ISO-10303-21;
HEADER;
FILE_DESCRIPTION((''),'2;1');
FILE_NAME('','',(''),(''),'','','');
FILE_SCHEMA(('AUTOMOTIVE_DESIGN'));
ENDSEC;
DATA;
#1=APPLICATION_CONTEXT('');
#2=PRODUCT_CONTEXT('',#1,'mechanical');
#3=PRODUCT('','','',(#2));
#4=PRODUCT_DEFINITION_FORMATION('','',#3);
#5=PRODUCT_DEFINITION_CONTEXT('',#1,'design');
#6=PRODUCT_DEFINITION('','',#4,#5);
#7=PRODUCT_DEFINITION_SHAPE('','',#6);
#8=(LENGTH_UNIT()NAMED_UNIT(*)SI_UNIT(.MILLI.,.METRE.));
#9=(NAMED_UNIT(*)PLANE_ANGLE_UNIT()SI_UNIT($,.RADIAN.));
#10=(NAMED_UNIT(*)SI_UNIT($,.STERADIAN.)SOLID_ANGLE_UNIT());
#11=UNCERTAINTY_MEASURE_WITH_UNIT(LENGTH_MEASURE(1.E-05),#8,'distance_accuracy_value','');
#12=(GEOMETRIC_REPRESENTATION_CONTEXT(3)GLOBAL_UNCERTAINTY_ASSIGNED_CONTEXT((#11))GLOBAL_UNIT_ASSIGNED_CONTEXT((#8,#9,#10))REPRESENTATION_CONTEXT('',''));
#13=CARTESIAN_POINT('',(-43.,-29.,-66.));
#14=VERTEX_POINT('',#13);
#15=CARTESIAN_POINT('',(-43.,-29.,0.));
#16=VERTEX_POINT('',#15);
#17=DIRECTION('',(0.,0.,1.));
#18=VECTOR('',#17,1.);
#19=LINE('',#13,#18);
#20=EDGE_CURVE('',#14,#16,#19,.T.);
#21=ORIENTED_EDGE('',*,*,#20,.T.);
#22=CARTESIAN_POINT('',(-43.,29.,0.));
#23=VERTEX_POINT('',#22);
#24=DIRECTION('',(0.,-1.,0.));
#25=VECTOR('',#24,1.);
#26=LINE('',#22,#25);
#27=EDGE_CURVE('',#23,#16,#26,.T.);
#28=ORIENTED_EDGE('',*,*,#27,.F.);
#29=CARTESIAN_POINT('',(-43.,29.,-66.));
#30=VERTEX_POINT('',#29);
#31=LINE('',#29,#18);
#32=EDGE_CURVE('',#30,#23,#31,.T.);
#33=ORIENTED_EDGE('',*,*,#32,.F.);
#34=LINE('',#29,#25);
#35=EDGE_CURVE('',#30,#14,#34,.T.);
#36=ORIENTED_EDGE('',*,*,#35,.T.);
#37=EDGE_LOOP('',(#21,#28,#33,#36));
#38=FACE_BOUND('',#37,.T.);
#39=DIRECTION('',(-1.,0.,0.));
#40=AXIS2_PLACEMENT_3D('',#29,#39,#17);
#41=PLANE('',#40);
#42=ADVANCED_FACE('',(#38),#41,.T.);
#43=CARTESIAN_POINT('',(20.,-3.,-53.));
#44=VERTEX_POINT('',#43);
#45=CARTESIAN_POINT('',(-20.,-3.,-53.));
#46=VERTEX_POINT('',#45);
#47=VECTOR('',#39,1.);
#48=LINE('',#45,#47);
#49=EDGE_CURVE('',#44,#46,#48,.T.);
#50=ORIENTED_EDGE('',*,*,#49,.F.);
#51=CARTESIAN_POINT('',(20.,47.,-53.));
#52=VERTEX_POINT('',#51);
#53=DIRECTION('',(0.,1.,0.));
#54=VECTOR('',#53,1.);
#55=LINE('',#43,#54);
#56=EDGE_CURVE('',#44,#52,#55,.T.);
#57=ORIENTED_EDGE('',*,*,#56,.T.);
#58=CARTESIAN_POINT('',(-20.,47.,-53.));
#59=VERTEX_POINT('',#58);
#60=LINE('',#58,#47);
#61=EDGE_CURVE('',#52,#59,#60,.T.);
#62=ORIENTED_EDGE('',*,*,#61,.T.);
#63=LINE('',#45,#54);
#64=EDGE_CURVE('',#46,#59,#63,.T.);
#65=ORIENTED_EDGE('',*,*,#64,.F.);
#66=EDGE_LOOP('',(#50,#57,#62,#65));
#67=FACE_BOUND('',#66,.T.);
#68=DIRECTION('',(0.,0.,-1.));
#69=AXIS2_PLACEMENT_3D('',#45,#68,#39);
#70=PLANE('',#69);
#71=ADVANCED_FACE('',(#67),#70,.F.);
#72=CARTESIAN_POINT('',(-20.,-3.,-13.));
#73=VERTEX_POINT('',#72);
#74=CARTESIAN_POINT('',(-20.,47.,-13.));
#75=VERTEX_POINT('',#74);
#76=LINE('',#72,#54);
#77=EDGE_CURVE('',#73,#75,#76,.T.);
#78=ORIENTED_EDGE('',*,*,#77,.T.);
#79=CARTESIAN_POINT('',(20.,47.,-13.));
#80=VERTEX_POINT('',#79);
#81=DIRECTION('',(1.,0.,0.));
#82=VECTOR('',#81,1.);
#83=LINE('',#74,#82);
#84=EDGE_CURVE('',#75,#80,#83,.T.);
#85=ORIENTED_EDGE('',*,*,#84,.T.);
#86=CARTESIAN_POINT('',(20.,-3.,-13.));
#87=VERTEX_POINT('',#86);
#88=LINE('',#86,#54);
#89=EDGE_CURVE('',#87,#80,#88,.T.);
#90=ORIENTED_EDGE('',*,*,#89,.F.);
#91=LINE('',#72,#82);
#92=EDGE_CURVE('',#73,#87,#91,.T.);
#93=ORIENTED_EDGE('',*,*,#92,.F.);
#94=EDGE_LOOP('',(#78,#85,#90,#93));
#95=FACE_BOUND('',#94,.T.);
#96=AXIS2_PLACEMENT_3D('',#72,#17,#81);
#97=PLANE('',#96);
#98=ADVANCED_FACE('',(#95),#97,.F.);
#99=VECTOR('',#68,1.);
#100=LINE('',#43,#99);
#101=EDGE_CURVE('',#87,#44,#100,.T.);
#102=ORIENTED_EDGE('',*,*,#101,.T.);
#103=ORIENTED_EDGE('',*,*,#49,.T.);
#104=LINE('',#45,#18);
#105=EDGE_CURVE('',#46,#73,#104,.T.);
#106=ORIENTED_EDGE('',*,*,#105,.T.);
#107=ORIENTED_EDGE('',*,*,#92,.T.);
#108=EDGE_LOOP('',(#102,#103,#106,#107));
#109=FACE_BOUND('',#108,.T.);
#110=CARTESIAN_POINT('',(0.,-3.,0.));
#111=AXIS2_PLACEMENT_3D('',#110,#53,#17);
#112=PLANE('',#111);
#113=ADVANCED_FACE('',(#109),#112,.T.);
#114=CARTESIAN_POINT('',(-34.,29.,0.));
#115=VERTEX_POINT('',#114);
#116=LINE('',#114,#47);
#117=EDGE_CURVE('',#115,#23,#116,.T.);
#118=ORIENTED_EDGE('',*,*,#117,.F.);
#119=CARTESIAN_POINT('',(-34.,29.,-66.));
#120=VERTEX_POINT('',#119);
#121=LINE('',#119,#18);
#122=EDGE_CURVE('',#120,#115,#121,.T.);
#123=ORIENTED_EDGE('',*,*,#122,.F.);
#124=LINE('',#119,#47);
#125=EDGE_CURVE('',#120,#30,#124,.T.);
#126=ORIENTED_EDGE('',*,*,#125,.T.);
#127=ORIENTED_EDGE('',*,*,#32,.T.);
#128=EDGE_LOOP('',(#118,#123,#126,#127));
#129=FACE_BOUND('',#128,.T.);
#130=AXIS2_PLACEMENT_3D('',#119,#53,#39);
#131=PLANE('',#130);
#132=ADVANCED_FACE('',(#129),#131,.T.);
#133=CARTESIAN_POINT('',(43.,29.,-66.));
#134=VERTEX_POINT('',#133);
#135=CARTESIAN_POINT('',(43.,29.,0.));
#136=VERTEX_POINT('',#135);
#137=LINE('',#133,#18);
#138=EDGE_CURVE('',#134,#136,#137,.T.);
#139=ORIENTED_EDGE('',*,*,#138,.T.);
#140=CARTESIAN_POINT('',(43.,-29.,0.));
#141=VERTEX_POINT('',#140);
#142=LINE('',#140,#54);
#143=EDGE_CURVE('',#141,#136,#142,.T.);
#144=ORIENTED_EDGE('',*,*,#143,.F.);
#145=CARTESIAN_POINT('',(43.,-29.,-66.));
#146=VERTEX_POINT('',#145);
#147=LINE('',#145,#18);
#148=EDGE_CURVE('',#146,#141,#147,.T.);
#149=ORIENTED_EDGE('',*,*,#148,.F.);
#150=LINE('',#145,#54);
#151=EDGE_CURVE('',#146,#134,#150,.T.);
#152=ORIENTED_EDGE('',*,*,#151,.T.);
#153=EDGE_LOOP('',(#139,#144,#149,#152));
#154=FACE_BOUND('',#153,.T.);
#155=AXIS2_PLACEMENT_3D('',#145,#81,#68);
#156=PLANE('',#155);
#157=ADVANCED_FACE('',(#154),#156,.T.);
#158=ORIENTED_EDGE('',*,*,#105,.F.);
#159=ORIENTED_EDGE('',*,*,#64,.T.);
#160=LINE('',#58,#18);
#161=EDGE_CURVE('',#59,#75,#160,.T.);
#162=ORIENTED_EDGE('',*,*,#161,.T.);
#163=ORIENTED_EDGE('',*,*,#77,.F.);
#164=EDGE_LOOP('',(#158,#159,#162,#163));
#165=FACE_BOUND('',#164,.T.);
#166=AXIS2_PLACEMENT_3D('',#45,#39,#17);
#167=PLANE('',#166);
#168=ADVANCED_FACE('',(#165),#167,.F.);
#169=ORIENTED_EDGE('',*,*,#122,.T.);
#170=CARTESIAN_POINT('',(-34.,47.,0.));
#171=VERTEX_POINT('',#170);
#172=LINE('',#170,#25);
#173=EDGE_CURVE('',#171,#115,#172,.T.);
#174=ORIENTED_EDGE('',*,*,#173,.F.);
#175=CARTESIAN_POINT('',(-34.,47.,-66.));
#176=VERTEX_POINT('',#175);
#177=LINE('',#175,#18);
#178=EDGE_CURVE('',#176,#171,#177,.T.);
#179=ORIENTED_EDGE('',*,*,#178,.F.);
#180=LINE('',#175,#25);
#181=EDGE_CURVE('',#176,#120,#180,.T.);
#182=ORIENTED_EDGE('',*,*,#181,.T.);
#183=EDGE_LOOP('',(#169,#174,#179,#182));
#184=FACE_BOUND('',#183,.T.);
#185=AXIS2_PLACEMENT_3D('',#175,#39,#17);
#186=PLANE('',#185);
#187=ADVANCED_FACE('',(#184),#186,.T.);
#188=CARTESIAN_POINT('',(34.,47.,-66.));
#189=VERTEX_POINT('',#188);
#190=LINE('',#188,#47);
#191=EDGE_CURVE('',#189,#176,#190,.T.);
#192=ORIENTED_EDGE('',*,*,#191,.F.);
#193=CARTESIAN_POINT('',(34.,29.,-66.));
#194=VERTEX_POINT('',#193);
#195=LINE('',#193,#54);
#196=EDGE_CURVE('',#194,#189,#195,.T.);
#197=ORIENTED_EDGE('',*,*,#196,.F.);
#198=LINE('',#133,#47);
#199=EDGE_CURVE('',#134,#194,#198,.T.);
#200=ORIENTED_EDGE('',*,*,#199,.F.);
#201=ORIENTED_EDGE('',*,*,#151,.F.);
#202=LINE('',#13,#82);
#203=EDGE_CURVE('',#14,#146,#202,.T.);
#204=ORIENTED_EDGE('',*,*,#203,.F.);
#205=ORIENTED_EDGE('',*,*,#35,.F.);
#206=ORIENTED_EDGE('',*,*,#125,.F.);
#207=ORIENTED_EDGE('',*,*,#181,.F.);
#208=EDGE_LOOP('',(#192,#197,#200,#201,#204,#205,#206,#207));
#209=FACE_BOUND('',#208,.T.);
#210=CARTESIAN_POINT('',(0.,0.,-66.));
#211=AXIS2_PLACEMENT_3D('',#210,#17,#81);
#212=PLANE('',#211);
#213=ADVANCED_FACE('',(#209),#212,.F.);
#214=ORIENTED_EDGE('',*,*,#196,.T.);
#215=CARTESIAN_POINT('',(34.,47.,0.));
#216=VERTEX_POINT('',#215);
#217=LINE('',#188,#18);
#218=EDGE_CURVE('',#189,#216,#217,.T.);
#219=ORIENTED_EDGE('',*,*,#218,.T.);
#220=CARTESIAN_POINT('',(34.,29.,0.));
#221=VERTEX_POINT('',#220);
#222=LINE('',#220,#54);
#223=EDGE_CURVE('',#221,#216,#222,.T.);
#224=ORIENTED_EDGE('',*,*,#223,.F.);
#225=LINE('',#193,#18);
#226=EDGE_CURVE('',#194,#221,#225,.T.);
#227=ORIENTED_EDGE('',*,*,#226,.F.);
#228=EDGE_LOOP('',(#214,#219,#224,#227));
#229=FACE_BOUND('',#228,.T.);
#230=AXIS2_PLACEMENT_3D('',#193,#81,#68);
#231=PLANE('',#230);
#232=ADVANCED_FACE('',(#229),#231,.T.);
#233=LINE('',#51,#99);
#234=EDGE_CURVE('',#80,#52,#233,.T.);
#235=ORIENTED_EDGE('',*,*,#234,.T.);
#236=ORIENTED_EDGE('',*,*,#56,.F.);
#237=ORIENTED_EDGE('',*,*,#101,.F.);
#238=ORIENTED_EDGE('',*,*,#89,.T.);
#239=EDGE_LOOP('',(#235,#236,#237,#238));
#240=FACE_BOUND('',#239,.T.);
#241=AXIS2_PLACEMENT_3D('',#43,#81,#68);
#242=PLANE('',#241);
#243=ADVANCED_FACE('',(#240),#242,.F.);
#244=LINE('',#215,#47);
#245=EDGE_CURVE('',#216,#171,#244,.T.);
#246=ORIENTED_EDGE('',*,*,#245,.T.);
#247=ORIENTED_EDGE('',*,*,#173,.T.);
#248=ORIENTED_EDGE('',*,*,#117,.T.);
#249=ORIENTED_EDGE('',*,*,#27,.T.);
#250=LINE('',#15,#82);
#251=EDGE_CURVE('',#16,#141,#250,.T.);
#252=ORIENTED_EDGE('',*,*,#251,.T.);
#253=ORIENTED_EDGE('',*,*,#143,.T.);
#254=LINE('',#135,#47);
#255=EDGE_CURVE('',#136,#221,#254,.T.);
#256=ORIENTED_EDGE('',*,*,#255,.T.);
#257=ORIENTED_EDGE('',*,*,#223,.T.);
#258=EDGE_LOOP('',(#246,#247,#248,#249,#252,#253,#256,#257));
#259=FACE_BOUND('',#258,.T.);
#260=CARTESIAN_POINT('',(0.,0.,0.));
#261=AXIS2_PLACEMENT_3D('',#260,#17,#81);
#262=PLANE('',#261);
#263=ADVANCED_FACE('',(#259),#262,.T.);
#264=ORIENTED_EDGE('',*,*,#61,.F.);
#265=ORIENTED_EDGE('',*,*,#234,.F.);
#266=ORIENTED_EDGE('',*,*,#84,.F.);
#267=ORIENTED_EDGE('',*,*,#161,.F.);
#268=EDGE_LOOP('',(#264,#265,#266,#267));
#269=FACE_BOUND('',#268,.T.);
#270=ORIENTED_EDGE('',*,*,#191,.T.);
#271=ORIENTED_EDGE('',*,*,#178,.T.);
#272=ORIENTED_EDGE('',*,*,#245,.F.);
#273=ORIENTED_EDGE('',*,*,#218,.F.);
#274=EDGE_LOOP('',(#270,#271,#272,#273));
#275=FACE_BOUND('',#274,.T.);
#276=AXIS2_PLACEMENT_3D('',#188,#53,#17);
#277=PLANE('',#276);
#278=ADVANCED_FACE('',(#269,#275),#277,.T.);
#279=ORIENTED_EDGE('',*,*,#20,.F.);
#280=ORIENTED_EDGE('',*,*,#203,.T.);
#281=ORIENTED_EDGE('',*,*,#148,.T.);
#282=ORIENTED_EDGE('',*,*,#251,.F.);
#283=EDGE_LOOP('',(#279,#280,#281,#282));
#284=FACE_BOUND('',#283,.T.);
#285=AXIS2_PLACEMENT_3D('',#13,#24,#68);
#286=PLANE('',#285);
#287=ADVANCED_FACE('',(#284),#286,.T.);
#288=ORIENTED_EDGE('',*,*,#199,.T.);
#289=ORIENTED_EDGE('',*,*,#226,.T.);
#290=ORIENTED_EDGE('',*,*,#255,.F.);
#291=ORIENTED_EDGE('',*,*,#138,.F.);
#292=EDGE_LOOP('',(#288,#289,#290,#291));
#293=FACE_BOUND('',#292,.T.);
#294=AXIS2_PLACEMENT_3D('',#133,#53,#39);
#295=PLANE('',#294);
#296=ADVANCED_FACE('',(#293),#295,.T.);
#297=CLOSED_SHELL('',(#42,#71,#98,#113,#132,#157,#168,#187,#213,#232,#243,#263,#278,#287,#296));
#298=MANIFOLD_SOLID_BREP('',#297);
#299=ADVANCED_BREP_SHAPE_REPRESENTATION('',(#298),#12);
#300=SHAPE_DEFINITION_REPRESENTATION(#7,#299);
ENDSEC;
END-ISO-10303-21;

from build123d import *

# Parameters (mm, degrees)
SALIENTE_EXTRUIR1_DEPTH = 66
CROQUIS2_W              = 40
CROQUIS2_H              = 40
CORTAR_EXTRUIR1_DEPTH   = 50


with BuildPart() as part:
    # Croquis1 → Saliente-Extruir1 (new body)
    with BuildSketch(Plane.XY):
        Polygon((-43, -29), (43, -29), (43, 29), (34, 29), (34, 47), (-34, 47), (-34, 29), (-43, 29), align=None)
    extrude(amount=-SALIENTE_EXTRUIR1_DEPTH)

    # Croquis2 → Cortar-Extruir1 (cut)
    with BuildSketch(Plane(origin=(0, 47, 0), x_dir=(1, 0, 0), z_dir=(0, 1, 0))):
        with Locations((0, 33)):
            Rectangle(CROQUIS2_W, CROQUIS2_H)
    extrude(amount=-CORTAR_EXTRUIR1_DEPTH, mode=Mode.SUBTRACT)


solid = part.part
